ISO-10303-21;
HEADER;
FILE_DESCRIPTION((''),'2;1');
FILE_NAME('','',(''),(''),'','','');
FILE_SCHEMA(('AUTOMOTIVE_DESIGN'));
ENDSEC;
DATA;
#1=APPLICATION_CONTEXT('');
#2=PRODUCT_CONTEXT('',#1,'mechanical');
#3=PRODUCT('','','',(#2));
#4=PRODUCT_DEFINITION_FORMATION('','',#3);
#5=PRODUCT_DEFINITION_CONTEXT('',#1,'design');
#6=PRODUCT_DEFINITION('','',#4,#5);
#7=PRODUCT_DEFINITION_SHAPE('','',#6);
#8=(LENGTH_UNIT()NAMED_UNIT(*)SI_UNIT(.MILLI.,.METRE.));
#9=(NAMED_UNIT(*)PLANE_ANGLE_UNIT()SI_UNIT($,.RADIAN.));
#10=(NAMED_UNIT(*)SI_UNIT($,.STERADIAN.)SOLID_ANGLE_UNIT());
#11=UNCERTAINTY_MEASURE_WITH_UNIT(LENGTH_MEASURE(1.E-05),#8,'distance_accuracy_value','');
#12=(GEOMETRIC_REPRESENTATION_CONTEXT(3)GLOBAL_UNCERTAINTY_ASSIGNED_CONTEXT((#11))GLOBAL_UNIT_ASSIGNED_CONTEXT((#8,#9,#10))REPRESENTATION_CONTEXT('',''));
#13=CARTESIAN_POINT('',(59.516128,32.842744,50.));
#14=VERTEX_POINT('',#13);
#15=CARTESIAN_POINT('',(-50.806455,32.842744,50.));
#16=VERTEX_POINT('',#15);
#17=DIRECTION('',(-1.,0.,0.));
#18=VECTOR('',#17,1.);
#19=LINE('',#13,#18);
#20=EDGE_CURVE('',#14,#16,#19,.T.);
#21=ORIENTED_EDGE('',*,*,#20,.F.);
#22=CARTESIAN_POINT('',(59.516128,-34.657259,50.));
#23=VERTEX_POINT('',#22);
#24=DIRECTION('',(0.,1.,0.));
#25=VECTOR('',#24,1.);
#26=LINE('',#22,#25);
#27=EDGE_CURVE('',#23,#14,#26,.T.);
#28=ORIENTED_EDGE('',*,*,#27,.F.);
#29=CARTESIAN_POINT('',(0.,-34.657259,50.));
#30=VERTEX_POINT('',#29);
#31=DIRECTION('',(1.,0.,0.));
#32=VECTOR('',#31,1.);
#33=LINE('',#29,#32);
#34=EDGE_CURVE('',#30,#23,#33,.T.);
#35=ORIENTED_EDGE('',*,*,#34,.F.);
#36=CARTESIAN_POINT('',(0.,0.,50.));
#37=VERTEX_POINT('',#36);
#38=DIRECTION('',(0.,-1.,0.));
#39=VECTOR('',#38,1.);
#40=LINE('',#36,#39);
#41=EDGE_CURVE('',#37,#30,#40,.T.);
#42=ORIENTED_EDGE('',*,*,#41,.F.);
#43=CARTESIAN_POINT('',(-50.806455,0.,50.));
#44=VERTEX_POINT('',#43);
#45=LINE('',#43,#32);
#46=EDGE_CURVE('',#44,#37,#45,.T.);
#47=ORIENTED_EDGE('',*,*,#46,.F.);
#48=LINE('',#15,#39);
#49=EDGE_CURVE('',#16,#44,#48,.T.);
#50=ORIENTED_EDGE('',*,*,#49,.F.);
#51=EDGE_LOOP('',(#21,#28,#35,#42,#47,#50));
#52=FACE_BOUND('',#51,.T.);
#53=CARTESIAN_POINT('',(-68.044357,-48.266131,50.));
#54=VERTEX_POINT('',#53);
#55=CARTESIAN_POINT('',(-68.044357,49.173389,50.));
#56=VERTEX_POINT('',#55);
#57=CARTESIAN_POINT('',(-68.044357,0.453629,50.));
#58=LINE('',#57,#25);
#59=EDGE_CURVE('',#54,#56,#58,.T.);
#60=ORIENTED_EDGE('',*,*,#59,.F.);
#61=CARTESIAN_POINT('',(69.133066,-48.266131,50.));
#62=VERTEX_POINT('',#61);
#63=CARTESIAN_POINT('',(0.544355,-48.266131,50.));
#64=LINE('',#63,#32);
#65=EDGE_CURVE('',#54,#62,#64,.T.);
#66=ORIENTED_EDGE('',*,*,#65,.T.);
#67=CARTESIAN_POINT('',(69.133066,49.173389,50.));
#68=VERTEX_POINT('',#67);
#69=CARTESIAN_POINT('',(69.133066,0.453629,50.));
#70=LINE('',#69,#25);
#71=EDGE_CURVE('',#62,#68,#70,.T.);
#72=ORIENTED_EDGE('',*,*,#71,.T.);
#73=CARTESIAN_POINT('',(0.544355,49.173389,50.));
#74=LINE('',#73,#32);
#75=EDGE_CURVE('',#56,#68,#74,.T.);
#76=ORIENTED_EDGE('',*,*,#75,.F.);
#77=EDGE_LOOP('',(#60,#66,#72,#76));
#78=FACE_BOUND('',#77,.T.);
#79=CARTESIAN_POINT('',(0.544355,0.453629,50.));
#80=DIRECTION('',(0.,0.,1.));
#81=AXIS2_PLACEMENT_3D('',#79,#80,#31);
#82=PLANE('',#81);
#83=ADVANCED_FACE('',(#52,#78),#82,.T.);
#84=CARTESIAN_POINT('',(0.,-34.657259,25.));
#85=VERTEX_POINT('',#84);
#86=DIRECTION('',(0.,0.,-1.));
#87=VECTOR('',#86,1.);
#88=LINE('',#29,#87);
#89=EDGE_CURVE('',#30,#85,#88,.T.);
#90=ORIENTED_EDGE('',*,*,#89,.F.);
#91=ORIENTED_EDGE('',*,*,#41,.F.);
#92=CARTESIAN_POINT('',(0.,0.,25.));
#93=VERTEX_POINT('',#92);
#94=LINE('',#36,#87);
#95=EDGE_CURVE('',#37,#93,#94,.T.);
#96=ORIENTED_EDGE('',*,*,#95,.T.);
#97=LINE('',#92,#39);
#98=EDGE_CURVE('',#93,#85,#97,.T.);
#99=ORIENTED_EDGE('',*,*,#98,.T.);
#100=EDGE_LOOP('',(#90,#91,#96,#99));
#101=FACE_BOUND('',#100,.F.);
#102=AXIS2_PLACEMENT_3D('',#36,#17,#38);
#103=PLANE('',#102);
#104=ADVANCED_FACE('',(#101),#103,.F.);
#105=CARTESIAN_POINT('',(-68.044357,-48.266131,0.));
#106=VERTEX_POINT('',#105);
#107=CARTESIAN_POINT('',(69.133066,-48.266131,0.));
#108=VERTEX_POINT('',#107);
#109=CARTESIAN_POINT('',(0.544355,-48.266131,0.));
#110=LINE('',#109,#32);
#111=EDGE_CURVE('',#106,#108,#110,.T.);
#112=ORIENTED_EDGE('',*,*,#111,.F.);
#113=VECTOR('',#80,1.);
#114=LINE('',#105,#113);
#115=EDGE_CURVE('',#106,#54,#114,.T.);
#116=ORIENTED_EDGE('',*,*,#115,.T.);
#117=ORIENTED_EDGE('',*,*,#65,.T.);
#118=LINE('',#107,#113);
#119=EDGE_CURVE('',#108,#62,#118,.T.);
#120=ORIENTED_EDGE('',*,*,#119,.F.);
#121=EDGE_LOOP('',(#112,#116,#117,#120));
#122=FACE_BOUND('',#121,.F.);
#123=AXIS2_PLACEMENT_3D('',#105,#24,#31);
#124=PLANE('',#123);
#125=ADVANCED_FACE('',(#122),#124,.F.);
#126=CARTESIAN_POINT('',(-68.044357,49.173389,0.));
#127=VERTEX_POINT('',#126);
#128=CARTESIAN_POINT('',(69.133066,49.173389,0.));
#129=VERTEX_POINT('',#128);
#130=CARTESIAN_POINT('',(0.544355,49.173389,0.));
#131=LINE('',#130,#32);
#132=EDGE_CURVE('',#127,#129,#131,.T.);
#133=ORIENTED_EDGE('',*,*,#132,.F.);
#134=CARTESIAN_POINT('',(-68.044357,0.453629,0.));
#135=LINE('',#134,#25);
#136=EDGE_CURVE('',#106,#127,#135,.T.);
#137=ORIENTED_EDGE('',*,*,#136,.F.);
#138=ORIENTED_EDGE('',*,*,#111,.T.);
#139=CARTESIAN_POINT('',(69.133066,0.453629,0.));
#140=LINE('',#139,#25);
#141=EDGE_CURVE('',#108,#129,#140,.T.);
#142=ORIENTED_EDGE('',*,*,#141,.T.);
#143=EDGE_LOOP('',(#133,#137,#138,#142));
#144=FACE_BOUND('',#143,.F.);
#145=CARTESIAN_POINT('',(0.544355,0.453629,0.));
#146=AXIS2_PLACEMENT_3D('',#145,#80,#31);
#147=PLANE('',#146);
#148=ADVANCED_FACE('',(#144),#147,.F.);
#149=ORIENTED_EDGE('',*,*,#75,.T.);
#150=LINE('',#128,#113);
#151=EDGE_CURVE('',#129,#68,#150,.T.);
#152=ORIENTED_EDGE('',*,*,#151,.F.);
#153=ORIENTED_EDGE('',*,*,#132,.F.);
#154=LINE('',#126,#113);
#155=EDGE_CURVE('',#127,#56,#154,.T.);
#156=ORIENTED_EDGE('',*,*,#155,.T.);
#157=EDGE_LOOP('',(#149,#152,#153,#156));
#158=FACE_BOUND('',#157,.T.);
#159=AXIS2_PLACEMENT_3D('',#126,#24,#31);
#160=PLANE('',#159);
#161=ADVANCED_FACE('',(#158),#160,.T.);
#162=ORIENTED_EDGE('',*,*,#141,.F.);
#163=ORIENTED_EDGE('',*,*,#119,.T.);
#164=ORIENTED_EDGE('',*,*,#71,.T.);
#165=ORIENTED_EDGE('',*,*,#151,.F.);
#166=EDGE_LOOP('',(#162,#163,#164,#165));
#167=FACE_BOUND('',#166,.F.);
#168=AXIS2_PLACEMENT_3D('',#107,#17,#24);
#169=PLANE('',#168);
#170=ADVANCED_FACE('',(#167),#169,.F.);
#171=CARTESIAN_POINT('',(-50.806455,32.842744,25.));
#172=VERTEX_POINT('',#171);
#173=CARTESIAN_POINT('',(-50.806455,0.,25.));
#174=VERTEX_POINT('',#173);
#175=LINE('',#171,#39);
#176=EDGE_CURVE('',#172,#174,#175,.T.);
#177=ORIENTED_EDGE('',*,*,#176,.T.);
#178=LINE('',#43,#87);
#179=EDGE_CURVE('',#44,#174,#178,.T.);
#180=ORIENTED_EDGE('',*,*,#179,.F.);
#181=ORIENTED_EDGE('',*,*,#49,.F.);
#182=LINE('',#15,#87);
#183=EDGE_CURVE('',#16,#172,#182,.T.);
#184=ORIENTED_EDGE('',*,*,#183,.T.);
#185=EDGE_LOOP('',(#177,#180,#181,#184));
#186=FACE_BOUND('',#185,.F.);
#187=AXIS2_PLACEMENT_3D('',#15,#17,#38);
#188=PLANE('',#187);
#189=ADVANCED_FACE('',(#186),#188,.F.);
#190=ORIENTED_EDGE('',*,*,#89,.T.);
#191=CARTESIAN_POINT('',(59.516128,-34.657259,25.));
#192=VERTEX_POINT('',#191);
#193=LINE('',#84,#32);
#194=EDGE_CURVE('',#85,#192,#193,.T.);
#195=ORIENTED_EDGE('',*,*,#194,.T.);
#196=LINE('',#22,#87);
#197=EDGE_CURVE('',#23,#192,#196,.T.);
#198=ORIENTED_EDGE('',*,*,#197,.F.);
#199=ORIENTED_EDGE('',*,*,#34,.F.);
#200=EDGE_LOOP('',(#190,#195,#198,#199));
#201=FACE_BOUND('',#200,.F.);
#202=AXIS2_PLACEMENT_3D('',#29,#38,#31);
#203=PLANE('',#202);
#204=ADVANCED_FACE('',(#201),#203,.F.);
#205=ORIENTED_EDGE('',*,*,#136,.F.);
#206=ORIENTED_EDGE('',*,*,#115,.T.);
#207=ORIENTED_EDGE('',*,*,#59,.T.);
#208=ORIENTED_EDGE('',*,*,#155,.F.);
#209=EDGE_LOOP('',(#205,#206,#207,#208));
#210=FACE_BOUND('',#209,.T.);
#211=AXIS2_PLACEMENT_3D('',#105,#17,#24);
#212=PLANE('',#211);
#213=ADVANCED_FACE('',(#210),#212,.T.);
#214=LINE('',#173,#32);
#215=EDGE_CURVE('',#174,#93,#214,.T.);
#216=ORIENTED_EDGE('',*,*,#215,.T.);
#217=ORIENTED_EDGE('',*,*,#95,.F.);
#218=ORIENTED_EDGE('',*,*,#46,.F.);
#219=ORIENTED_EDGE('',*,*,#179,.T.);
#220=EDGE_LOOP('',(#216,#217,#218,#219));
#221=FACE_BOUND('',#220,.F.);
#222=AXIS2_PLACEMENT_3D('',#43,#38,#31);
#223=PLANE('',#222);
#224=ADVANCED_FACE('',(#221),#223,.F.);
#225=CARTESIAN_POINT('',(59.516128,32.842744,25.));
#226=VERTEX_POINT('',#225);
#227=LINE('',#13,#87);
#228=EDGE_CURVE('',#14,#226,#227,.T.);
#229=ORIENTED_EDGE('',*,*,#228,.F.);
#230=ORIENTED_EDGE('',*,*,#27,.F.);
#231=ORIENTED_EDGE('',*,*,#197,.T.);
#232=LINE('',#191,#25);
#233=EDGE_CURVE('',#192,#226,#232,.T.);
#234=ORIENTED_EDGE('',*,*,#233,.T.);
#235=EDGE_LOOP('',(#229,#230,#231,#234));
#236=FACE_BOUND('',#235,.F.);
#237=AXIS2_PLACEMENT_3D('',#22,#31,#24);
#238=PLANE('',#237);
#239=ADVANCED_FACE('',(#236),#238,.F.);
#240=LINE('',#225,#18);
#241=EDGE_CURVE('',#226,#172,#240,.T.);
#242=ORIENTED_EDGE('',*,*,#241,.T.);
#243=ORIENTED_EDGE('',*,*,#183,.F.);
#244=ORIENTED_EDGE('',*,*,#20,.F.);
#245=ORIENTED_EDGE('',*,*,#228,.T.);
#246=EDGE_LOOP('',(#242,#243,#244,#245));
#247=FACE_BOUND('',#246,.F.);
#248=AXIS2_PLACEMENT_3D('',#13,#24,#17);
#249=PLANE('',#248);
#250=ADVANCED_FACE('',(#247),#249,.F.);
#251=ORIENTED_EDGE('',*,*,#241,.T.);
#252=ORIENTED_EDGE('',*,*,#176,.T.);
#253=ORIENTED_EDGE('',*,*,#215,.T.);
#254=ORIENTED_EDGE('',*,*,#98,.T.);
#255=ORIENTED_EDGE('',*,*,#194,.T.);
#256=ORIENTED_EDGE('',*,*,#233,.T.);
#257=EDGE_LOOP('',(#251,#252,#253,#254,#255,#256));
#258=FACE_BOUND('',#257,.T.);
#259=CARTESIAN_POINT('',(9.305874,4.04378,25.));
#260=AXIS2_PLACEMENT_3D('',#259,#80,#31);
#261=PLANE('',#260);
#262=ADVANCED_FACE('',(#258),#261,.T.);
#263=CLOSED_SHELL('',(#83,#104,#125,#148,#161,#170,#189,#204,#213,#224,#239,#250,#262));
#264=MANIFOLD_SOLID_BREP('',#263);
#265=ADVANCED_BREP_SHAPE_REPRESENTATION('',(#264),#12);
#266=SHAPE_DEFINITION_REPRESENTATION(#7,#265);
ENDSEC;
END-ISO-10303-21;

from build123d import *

# Parameters (mm, degrees)
F0_W     = 137.177423
F0_H     = 97.43952
F1_DEPTH = 50
F3_DEPTH = 25


with BuildPart() as f1:
    # F0 (on Top) → F1 (new body)
    with BuildSketch(Plane.XY):
        with Locations((0.544355, 0.453629)):
            Rectangle(F0_W, F0_H)
    extrude(amount=F1_DEPTH)

    # F2 (on face) → F3 (cut)
    with BuildSketch(Plane.XY.offset(50)):
        Polygon((59.516128, 32.842744), (-50.806455, 32.842744), (-50.806455, 0), (0, 0), (0, -34.657259), (59.516128, -34.657259), align=None)
    extrude(amount=-F3_DEPTH, mode=Mode.SUBTRACT)


solid = f1.part
